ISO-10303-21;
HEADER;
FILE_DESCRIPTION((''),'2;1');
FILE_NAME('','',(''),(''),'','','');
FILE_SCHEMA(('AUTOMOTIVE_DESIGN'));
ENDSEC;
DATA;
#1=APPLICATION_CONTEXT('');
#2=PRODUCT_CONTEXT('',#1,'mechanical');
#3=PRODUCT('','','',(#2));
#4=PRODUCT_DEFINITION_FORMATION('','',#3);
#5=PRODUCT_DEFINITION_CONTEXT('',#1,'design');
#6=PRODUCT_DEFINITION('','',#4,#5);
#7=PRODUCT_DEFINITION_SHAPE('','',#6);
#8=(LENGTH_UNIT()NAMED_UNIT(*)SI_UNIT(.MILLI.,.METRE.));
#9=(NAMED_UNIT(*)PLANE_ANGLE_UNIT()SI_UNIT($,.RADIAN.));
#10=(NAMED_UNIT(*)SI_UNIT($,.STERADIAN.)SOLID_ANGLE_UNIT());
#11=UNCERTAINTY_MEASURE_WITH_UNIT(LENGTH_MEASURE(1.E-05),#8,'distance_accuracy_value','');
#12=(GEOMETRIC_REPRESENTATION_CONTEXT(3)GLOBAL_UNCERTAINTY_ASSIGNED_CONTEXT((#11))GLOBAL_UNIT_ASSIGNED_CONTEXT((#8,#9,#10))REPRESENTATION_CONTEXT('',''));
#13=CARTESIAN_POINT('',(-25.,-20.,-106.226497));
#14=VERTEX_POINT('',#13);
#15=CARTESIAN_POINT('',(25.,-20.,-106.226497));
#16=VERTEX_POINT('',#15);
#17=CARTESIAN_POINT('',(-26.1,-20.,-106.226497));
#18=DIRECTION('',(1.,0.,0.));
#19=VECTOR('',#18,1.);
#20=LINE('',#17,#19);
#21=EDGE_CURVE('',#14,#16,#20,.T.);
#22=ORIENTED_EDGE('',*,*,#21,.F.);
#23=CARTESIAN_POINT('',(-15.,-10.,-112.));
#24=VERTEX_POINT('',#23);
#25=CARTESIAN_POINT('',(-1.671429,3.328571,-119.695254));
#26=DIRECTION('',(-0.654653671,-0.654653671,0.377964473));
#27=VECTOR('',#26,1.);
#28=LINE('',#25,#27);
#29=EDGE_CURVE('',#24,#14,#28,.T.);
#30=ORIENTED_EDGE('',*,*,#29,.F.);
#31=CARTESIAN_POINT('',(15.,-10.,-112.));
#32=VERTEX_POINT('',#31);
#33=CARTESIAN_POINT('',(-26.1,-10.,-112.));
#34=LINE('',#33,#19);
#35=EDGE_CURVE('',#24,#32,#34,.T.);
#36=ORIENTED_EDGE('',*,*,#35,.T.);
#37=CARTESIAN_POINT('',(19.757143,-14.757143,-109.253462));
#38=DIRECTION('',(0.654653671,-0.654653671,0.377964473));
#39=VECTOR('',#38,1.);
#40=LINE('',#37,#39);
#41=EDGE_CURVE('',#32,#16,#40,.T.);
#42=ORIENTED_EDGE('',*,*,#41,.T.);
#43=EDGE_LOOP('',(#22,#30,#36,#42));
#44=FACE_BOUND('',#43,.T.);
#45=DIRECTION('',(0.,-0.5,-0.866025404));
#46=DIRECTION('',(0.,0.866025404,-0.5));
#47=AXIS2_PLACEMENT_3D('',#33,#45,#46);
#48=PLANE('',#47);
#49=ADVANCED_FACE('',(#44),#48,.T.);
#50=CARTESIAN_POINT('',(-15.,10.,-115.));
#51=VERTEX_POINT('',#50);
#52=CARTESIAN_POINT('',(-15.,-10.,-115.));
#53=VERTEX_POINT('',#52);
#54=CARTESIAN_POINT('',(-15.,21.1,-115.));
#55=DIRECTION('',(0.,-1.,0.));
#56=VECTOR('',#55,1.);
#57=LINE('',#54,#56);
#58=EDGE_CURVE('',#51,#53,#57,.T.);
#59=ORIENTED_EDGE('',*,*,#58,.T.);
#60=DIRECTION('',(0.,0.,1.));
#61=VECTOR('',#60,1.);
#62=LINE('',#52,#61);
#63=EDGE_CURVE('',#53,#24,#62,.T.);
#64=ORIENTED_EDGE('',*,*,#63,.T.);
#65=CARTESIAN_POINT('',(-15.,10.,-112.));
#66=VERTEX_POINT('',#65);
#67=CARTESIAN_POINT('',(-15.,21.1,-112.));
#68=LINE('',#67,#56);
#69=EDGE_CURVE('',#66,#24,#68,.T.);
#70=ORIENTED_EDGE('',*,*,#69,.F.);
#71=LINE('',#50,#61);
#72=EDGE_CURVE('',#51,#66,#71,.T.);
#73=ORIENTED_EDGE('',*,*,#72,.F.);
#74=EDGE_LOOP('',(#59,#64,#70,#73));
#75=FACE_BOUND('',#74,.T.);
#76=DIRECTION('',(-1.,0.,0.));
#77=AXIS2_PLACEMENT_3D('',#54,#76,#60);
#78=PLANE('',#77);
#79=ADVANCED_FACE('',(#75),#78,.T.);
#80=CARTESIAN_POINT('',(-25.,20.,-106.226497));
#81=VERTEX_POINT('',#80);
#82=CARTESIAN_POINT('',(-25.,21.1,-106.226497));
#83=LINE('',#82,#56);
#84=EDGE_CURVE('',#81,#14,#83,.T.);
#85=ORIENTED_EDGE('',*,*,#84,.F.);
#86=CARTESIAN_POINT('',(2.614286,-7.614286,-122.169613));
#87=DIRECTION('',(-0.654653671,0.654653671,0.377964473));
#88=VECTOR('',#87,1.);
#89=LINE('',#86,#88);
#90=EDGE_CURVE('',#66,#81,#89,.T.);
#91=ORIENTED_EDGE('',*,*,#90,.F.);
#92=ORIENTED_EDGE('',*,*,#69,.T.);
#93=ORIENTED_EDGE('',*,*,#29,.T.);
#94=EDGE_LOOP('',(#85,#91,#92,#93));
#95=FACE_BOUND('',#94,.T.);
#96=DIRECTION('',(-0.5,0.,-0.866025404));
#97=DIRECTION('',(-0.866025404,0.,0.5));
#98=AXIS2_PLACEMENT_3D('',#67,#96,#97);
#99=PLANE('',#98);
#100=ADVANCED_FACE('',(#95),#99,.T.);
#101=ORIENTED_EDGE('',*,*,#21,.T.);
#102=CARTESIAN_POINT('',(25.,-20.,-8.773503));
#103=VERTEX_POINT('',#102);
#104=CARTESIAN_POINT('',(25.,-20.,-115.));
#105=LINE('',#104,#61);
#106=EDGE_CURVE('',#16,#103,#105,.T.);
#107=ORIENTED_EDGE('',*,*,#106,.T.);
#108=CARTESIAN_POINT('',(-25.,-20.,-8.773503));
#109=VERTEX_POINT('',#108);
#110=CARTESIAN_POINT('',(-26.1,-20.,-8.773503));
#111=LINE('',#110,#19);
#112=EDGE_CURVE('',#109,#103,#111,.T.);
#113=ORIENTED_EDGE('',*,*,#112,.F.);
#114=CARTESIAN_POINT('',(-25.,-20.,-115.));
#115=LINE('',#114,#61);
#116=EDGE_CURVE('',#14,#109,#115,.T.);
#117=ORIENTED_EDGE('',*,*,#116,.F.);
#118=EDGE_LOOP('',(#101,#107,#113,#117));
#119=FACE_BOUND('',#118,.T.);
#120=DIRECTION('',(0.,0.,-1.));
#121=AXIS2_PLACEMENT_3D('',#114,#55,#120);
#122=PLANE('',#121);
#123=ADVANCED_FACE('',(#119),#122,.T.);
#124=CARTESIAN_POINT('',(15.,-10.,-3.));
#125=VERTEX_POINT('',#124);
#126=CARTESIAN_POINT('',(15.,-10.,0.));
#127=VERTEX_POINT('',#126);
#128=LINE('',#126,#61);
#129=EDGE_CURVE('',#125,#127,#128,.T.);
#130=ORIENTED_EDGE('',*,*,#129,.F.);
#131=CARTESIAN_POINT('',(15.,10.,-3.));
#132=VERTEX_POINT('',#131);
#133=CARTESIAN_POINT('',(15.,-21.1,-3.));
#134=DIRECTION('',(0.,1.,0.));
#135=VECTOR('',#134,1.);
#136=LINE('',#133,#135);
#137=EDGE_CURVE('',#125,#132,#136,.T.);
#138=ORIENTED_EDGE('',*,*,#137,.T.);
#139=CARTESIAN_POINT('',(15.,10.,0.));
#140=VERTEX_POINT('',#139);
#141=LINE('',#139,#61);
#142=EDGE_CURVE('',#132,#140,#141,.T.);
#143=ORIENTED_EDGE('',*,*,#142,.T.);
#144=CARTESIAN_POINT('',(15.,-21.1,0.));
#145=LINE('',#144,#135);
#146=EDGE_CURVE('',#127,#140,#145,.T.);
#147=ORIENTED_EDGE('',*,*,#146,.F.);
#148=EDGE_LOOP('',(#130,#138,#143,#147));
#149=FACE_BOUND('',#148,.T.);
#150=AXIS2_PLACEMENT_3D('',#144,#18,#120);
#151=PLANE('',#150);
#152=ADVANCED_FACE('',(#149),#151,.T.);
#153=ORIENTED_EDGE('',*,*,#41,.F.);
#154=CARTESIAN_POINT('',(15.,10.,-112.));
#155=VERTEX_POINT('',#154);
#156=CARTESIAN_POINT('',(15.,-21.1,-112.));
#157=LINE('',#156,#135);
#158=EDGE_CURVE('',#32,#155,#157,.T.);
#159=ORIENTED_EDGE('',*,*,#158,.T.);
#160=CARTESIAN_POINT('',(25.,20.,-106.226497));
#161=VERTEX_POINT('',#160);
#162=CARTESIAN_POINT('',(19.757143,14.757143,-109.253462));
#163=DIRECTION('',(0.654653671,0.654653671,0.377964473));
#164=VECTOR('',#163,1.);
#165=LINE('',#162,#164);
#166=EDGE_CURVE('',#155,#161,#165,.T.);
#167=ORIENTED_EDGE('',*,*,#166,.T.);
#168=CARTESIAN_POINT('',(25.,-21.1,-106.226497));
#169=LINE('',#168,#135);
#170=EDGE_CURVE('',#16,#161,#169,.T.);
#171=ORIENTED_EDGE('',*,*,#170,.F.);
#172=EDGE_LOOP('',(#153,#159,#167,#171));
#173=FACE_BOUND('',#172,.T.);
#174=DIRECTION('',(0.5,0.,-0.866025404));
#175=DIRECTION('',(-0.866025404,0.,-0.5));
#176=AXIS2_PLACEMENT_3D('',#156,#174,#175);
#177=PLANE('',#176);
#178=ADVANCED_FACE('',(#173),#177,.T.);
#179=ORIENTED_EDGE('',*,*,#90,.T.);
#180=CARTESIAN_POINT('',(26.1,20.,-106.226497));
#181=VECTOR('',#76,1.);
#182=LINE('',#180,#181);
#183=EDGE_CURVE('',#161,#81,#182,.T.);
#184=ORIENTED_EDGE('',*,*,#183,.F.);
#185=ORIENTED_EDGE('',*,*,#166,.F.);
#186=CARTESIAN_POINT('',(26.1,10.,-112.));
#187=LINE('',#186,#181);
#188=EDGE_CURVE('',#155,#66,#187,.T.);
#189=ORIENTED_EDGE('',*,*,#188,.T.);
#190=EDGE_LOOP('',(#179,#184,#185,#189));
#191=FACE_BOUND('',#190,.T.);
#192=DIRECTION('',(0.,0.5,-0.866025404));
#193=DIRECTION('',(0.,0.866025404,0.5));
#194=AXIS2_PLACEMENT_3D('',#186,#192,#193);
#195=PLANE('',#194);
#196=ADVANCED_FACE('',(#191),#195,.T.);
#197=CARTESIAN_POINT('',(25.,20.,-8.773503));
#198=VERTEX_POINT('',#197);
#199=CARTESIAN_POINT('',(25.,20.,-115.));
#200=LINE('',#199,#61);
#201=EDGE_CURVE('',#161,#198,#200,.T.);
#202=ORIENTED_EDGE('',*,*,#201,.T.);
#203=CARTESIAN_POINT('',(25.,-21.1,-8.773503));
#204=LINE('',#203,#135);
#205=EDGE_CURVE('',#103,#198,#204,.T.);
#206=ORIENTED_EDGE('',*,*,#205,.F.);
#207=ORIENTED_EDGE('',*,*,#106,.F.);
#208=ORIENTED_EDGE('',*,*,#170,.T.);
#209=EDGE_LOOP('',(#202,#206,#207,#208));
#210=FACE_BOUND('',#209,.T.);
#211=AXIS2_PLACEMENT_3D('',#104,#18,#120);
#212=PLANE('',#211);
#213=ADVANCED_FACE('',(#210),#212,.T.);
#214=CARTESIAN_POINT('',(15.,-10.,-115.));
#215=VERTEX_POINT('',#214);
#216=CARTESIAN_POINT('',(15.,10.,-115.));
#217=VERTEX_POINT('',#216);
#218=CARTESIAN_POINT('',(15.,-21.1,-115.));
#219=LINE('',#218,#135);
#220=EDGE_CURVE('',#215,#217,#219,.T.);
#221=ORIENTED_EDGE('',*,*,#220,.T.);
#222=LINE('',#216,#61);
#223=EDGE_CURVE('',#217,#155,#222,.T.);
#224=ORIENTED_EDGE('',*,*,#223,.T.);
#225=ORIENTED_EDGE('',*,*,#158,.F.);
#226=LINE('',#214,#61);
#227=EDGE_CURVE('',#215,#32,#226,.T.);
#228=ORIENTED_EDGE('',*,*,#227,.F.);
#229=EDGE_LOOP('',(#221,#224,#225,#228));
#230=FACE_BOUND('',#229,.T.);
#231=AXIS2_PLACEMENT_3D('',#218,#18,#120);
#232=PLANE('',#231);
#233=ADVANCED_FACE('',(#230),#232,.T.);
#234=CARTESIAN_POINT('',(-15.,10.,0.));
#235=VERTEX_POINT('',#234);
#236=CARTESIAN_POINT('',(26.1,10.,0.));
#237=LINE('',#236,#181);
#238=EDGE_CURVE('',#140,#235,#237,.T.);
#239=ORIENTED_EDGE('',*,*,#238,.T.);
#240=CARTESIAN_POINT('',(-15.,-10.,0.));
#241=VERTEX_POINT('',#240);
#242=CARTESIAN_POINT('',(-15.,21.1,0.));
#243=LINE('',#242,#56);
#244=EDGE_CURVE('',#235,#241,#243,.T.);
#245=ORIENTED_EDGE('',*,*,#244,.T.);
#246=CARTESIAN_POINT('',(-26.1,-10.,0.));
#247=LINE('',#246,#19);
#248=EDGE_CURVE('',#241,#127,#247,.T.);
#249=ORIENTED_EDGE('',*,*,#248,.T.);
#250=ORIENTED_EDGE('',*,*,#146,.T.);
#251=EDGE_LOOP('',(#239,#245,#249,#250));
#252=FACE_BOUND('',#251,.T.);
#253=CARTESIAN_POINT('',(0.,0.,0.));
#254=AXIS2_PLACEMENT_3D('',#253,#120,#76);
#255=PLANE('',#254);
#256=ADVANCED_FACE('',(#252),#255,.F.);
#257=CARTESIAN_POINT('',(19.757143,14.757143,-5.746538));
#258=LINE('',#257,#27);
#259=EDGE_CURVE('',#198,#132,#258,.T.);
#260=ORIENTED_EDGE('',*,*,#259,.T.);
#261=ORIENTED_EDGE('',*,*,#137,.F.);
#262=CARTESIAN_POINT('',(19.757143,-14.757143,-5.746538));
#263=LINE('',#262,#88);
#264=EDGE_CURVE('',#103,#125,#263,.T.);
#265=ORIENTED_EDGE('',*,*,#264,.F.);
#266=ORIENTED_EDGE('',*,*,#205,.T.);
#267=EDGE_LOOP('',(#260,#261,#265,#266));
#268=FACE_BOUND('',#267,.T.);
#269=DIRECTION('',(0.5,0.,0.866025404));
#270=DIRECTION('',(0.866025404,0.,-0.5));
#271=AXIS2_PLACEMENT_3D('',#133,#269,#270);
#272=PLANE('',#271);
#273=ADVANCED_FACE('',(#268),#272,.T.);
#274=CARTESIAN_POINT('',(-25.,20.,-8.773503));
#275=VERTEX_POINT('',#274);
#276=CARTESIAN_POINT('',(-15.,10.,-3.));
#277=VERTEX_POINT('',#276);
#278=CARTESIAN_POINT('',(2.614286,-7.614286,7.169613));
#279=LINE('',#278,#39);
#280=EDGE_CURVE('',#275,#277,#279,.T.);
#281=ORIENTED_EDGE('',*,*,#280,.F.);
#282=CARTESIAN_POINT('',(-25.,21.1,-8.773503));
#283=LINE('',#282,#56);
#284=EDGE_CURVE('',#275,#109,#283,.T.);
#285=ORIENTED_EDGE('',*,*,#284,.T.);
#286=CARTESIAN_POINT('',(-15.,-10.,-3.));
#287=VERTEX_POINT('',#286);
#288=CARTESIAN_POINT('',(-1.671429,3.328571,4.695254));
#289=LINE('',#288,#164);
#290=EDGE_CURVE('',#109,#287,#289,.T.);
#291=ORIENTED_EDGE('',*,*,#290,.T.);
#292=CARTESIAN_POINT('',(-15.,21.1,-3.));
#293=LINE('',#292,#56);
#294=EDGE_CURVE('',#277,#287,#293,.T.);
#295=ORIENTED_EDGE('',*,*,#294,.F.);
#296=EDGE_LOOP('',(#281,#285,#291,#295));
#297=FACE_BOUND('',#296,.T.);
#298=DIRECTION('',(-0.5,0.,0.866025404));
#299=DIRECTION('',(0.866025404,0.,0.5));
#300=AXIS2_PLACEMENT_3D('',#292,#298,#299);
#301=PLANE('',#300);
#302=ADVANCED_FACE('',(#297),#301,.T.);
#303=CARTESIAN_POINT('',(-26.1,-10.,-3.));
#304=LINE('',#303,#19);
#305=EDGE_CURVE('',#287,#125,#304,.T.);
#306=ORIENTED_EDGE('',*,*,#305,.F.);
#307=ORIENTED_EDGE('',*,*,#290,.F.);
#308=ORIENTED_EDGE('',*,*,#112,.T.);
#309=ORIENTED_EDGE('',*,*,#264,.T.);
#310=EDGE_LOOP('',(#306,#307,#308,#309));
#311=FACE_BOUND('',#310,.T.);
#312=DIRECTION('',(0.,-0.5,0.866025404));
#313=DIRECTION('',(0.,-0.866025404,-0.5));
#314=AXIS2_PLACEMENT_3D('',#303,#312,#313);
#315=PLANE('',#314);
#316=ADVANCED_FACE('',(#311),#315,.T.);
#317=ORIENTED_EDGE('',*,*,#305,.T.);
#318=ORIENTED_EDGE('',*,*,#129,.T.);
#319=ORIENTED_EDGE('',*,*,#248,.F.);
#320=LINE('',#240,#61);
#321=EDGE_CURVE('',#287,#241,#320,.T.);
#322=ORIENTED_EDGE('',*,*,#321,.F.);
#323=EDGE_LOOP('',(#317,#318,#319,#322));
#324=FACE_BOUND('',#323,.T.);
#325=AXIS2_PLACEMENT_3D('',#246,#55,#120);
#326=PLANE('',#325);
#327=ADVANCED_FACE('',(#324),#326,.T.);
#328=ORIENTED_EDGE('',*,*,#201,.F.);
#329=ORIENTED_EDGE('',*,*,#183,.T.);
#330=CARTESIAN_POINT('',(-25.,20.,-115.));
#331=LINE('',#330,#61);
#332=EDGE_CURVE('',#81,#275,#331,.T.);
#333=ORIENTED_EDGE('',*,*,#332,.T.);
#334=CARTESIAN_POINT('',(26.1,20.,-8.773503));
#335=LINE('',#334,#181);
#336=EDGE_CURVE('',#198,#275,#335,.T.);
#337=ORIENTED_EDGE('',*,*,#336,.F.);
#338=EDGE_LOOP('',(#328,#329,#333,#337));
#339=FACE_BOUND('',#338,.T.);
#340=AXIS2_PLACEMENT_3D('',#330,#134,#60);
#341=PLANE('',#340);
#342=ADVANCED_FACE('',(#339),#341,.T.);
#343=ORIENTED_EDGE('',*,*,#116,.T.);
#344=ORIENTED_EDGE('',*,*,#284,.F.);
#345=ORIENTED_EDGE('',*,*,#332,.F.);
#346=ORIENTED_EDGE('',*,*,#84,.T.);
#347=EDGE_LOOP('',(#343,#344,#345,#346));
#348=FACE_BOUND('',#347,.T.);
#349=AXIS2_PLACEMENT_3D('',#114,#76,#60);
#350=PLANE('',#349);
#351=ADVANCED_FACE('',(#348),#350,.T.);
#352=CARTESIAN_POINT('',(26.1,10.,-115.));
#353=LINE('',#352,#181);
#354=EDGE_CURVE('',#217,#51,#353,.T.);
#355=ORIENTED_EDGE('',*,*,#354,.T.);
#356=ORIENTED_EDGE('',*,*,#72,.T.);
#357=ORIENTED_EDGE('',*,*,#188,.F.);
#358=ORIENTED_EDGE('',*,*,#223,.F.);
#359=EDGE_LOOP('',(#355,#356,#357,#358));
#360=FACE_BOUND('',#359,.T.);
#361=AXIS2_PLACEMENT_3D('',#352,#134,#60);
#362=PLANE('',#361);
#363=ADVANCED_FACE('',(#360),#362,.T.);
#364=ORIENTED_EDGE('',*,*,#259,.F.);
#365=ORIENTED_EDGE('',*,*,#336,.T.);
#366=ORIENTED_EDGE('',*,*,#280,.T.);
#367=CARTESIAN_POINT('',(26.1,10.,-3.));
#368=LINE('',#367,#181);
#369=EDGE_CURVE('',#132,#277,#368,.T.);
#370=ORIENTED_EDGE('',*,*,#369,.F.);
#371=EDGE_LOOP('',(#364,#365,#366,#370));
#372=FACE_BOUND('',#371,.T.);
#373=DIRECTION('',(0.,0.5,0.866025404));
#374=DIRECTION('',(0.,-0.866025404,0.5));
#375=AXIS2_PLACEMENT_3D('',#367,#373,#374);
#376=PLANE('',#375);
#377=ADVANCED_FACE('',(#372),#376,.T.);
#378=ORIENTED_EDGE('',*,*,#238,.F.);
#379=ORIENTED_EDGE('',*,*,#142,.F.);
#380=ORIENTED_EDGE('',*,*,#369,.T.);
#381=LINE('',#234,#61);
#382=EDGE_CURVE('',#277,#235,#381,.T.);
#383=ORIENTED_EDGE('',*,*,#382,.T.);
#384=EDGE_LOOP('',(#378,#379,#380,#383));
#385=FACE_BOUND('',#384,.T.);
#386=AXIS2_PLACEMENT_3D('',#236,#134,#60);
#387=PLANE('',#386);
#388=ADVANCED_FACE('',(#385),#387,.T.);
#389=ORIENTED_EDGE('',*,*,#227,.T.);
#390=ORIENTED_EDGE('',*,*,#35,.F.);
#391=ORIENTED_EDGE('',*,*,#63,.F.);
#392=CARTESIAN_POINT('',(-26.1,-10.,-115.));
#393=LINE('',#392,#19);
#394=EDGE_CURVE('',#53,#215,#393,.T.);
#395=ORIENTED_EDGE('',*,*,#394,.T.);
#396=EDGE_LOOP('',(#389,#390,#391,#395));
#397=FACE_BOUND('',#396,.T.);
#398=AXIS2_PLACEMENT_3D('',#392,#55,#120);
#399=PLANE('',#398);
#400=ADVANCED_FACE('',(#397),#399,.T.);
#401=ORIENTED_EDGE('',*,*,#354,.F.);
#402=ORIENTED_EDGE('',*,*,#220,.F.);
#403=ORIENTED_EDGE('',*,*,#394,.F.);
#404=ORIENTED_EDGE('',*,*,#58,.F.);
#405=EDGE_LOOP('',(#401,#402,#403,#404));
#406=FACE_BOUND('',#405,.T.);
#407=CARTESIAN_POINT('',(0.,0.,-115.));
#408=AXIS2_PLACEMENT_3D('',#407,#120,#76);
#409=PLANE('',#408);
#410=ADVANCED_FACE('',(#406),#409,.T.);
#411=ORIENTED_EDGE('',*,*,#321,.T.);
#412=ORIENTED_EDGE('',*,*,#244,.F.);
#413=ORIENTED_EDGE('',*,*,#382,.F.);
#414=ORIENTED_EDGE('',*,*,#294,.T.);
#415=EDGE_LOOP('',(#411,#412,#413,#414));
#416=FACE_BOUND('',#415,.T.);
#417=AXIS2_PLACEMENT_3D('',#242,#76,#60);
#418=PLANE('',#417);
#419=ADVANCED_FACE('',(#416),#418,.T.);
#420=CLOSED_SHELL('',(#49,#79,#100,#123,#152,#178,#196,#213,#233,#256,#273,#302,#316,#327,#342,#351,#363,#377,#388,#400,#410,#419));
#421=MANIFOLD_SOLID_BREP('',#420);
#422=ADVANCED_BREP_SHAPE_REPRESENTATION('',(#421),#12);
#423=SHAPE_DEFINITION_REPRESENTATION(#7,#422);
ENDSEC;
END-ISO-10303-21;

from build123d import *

# Parameters (mm, degrees)
SKETCH1_W           = 50
SKETCH1_H           = 40
BOSS_EXTRUDE1_DEPTH = 115


with BuildPart() as part:
    # Sketch1 → Boss-Extrude1 (new body)
    with BuildSketch(Plane.XY):
        Rectangle(SKETCH1_W, SKETCH1_H)
    extrude(amount=-BOSS_EXTRUDE1_DEPTH)

    # Cut-Sweep1: sweep along a path in Sketch2
    with BuildLine(Plane.XY) as cut_sweep1_path:
        Line((-15, -10), (15, -10))
        Line((15, -10), (15, 10))
        Line((15, 10), (-15, 10))
        Line((-15, 10), (-15, -10))
    # Sketch3 → Cut-Sweep1 (sweep, cut)
    with BuildSketch(Plane(origin=(15, 10, 0), x_dir=(0, 0, -1), z_dir=(1, 0, 0))):
        Polygon((8.773502692, 10), (0, 10), (0, 0), (3, 0), align=None)
    cut_sweep1 = sweep(path=cut_sweep1_path.line, transition=Transition.RIGHT, mode=Mode.SUBTRACT)

    # Mirror1: Cut-Sweep1 across plane
    add(cut_sweep1.mirror(Plane.XY.offset(-57.5)), mode=Mode.SUBTRACT)


solid = part.part
